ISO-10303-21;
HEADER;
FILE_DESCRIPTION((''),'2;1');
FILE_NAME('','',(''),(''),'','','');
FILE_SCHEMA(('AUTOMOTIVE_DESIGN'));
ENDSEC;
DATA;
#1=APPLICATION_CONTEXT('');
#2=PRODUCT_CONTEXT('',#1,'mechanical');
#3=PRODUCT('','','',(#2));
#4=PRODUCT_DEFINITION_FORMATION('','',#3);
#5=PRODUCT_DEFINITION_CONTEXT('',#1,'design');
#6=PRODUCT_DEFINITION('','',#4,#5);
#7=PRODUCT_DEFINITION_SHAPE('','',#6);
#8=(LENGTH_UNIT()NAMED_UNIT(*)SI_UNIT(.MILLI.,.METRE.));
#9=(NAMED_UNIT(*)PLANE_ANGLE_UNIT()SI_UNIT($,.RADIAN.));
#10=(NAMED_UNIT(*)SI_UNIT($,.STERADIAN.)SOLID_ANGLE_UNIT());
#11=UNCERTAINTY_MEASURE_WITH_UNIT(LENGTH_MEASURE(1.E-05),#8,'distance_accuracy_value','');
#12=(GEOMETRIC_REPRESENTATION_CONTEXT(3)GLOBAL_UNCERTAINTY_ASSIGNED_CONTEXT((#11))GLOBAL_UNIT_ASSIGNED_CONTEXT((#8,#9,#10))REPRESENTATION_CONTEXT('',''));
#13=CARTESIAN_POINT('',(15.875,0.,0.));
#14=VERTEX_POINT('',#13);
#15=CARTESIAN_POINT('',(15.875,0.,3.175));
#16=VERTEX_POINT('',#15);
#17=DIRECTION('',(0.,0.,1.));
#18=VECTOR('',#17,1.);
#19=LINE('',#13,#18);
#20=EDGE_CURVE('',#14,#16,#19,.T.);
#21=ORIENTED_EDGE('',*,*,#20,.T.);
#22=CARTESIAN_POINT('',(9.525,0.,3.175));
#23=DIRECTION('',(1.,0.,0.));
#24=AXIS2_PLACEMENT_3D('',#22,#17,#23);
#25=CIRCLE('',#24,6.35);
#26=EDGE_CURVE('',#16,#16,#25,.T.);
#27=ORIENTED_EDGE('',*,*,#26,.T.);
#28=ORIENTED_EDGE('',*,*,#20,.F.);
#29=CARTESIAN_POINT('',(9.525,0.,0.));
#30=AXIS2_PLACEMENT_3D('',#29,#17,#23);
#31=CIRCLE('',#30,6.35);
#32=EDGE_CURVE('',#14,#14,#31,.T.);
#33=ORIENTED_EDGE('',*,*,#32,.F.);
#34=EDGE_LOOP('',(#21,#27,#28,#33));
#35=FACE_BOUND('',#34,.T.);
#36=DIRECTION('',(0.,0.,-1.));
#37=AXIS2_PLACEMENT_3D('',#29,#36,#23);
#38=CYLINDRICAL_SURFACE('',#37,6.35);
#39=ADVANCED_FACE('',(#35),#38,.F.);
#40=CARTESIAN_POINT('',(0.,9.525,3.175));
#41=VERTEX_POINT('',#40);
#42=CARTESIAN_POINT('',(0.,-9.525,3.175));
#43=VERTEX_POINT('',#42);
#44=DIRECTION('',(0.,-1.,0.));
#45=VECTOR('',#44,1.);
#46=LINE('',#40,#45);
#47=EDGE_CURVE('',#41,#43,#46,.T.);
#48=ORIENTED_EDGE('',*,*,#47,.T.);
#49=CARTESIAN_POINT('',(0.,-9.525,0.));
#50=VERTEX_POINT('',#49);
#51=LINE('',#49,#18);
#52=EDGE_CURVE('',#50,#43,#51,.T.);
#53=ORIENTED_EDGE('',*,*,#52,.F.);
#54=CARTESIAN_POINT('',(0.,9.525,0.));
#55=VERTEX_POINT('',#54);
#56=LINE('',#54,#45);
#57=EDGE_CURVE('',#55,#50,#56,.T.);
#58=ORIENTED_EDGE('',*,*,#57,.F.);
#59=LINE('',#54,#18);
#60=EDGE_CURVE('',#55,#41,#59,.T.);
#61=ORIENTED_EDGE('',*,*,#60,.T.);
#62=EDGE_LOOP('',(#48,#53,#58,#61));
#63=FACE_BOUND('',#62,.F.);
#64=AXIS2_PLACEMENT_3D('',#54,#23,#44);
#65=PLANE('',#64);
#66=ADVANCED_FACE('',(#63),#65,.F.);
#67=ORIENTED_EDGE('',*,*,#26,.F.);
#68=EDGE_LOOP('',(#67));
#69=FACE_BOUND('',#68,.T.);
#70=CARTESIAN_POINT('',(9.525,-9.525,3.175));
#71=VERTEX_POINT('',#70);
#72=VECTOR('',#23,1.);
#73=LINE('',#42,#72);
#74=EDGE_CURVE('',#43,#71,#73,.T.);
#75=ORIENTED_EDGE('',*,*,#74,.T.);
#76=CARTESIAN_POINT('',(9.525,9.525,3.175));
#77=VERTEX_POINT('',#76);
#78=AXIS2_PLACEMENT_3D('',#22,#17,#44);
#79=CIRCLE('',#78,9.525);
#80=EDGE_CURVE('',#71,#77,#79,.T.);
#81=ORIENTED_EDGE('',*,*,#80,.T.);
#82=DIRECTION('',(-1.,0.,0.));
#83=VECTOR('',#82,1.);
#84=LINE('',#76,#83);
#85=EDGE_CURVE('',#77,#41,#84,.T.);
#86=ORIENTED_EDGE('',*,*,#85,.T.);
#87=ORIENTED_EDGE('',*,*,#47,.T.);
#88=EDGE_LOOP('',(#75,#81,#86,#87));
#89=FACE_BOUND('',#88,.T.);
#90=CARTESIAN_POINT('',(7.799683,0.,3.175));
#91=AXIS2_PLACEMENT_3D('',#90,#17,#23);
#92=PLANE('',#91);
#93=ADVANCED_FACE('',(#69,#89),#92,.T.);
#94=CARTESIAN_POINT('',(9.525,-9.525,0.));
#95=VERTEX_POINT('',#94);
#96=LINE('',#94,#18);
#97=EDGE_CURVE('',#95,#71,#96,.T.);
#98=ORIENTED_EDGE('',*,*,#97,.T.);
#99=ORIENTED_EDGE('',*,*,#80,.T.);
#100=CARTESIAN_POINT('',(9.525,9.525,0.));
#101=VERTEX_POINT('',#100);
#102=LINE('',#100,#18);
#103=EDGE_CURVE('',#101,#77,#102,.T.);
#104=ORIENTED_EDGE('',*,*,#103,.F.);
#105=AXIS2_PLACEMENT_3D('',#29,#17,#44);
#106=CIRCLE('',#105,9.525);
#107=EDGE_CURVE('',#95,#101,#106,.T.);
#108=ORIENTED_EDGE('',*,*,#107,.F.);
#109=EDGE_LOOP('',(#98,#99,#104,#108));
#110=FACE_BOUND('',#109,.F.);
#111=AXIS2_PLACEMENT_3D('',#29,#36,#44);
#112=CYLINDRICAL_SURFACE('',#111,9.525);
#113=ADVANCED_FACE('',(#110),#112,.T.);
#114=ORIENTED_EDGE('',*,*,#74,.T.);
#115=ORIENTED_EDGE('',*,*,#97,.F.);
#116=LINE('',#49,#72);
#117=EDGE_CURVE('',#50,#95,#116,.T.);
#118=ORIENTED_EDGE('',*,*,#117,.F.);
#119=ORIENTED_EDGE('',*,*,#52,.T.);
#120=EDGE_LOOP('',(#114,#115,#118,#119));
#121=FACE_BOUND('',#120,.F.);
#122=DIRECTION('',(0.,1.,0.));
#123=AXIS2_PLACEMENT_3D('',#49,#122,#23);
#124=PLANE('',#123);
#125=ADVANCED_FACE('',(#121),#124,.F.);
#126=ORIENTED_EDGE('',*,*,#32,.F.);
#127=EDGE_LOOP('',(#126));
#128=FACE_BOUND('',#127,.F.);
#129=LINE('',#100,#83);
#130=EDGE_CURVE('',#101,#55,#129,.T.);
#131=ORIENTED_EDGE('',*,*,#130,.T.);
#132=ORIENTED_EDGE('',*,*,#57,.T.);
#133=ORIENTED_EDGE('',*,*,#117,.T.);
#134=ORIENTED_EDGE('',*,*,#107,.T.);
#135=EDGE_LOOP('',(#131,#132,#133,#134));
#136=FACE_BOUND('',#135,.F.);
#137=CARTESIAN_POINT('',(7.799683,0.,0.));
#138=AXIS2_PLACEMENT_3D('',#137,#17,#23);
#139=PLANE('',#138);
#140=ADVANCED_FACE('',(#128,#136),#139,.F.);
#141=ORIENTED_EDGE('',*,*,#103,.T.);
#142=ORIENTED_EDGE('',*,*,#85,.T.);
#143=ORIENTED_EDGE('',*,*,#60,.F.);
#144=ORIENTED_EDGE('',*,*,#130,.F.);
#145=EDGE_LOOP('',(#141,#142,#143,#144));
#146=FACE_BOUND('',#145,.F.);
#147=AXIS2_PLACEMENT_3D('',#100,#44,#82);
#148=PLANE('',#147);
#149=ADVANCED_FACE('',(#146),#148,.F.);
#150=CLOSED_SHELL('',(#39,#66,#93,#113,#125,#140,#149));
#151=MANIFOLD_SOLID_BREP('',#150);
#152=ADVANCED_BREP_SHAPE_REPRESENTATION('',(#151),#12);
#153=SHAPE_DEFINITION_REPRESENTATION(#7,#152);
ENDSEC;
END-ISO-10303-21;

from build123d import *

# Parameters (mm, degrees)
F0_R     = 6.35
F1_DEPTH = 3.175


with BuildPart() as f1:
    # F0 (on Top) → F1 (new body)
    with BuildSketch(Plane.XY):
        with BuildLine():
            Line((0, 9.525), (0, -9.525))
            Line((0, -9.525), (9.525, -9.525))
            ThreePointArc((9.525, -9.525), (19.05, 0), (9.525, 9.525))
            Line((9.525, 9.525), (0, 9.525))
        make_face()
        with Locations((9.525, 0)):
            Circle(F0_R, mode=Mode.SUBTRACT)
    extrude(amount=F1_DEPTH)


solid = f1.part
